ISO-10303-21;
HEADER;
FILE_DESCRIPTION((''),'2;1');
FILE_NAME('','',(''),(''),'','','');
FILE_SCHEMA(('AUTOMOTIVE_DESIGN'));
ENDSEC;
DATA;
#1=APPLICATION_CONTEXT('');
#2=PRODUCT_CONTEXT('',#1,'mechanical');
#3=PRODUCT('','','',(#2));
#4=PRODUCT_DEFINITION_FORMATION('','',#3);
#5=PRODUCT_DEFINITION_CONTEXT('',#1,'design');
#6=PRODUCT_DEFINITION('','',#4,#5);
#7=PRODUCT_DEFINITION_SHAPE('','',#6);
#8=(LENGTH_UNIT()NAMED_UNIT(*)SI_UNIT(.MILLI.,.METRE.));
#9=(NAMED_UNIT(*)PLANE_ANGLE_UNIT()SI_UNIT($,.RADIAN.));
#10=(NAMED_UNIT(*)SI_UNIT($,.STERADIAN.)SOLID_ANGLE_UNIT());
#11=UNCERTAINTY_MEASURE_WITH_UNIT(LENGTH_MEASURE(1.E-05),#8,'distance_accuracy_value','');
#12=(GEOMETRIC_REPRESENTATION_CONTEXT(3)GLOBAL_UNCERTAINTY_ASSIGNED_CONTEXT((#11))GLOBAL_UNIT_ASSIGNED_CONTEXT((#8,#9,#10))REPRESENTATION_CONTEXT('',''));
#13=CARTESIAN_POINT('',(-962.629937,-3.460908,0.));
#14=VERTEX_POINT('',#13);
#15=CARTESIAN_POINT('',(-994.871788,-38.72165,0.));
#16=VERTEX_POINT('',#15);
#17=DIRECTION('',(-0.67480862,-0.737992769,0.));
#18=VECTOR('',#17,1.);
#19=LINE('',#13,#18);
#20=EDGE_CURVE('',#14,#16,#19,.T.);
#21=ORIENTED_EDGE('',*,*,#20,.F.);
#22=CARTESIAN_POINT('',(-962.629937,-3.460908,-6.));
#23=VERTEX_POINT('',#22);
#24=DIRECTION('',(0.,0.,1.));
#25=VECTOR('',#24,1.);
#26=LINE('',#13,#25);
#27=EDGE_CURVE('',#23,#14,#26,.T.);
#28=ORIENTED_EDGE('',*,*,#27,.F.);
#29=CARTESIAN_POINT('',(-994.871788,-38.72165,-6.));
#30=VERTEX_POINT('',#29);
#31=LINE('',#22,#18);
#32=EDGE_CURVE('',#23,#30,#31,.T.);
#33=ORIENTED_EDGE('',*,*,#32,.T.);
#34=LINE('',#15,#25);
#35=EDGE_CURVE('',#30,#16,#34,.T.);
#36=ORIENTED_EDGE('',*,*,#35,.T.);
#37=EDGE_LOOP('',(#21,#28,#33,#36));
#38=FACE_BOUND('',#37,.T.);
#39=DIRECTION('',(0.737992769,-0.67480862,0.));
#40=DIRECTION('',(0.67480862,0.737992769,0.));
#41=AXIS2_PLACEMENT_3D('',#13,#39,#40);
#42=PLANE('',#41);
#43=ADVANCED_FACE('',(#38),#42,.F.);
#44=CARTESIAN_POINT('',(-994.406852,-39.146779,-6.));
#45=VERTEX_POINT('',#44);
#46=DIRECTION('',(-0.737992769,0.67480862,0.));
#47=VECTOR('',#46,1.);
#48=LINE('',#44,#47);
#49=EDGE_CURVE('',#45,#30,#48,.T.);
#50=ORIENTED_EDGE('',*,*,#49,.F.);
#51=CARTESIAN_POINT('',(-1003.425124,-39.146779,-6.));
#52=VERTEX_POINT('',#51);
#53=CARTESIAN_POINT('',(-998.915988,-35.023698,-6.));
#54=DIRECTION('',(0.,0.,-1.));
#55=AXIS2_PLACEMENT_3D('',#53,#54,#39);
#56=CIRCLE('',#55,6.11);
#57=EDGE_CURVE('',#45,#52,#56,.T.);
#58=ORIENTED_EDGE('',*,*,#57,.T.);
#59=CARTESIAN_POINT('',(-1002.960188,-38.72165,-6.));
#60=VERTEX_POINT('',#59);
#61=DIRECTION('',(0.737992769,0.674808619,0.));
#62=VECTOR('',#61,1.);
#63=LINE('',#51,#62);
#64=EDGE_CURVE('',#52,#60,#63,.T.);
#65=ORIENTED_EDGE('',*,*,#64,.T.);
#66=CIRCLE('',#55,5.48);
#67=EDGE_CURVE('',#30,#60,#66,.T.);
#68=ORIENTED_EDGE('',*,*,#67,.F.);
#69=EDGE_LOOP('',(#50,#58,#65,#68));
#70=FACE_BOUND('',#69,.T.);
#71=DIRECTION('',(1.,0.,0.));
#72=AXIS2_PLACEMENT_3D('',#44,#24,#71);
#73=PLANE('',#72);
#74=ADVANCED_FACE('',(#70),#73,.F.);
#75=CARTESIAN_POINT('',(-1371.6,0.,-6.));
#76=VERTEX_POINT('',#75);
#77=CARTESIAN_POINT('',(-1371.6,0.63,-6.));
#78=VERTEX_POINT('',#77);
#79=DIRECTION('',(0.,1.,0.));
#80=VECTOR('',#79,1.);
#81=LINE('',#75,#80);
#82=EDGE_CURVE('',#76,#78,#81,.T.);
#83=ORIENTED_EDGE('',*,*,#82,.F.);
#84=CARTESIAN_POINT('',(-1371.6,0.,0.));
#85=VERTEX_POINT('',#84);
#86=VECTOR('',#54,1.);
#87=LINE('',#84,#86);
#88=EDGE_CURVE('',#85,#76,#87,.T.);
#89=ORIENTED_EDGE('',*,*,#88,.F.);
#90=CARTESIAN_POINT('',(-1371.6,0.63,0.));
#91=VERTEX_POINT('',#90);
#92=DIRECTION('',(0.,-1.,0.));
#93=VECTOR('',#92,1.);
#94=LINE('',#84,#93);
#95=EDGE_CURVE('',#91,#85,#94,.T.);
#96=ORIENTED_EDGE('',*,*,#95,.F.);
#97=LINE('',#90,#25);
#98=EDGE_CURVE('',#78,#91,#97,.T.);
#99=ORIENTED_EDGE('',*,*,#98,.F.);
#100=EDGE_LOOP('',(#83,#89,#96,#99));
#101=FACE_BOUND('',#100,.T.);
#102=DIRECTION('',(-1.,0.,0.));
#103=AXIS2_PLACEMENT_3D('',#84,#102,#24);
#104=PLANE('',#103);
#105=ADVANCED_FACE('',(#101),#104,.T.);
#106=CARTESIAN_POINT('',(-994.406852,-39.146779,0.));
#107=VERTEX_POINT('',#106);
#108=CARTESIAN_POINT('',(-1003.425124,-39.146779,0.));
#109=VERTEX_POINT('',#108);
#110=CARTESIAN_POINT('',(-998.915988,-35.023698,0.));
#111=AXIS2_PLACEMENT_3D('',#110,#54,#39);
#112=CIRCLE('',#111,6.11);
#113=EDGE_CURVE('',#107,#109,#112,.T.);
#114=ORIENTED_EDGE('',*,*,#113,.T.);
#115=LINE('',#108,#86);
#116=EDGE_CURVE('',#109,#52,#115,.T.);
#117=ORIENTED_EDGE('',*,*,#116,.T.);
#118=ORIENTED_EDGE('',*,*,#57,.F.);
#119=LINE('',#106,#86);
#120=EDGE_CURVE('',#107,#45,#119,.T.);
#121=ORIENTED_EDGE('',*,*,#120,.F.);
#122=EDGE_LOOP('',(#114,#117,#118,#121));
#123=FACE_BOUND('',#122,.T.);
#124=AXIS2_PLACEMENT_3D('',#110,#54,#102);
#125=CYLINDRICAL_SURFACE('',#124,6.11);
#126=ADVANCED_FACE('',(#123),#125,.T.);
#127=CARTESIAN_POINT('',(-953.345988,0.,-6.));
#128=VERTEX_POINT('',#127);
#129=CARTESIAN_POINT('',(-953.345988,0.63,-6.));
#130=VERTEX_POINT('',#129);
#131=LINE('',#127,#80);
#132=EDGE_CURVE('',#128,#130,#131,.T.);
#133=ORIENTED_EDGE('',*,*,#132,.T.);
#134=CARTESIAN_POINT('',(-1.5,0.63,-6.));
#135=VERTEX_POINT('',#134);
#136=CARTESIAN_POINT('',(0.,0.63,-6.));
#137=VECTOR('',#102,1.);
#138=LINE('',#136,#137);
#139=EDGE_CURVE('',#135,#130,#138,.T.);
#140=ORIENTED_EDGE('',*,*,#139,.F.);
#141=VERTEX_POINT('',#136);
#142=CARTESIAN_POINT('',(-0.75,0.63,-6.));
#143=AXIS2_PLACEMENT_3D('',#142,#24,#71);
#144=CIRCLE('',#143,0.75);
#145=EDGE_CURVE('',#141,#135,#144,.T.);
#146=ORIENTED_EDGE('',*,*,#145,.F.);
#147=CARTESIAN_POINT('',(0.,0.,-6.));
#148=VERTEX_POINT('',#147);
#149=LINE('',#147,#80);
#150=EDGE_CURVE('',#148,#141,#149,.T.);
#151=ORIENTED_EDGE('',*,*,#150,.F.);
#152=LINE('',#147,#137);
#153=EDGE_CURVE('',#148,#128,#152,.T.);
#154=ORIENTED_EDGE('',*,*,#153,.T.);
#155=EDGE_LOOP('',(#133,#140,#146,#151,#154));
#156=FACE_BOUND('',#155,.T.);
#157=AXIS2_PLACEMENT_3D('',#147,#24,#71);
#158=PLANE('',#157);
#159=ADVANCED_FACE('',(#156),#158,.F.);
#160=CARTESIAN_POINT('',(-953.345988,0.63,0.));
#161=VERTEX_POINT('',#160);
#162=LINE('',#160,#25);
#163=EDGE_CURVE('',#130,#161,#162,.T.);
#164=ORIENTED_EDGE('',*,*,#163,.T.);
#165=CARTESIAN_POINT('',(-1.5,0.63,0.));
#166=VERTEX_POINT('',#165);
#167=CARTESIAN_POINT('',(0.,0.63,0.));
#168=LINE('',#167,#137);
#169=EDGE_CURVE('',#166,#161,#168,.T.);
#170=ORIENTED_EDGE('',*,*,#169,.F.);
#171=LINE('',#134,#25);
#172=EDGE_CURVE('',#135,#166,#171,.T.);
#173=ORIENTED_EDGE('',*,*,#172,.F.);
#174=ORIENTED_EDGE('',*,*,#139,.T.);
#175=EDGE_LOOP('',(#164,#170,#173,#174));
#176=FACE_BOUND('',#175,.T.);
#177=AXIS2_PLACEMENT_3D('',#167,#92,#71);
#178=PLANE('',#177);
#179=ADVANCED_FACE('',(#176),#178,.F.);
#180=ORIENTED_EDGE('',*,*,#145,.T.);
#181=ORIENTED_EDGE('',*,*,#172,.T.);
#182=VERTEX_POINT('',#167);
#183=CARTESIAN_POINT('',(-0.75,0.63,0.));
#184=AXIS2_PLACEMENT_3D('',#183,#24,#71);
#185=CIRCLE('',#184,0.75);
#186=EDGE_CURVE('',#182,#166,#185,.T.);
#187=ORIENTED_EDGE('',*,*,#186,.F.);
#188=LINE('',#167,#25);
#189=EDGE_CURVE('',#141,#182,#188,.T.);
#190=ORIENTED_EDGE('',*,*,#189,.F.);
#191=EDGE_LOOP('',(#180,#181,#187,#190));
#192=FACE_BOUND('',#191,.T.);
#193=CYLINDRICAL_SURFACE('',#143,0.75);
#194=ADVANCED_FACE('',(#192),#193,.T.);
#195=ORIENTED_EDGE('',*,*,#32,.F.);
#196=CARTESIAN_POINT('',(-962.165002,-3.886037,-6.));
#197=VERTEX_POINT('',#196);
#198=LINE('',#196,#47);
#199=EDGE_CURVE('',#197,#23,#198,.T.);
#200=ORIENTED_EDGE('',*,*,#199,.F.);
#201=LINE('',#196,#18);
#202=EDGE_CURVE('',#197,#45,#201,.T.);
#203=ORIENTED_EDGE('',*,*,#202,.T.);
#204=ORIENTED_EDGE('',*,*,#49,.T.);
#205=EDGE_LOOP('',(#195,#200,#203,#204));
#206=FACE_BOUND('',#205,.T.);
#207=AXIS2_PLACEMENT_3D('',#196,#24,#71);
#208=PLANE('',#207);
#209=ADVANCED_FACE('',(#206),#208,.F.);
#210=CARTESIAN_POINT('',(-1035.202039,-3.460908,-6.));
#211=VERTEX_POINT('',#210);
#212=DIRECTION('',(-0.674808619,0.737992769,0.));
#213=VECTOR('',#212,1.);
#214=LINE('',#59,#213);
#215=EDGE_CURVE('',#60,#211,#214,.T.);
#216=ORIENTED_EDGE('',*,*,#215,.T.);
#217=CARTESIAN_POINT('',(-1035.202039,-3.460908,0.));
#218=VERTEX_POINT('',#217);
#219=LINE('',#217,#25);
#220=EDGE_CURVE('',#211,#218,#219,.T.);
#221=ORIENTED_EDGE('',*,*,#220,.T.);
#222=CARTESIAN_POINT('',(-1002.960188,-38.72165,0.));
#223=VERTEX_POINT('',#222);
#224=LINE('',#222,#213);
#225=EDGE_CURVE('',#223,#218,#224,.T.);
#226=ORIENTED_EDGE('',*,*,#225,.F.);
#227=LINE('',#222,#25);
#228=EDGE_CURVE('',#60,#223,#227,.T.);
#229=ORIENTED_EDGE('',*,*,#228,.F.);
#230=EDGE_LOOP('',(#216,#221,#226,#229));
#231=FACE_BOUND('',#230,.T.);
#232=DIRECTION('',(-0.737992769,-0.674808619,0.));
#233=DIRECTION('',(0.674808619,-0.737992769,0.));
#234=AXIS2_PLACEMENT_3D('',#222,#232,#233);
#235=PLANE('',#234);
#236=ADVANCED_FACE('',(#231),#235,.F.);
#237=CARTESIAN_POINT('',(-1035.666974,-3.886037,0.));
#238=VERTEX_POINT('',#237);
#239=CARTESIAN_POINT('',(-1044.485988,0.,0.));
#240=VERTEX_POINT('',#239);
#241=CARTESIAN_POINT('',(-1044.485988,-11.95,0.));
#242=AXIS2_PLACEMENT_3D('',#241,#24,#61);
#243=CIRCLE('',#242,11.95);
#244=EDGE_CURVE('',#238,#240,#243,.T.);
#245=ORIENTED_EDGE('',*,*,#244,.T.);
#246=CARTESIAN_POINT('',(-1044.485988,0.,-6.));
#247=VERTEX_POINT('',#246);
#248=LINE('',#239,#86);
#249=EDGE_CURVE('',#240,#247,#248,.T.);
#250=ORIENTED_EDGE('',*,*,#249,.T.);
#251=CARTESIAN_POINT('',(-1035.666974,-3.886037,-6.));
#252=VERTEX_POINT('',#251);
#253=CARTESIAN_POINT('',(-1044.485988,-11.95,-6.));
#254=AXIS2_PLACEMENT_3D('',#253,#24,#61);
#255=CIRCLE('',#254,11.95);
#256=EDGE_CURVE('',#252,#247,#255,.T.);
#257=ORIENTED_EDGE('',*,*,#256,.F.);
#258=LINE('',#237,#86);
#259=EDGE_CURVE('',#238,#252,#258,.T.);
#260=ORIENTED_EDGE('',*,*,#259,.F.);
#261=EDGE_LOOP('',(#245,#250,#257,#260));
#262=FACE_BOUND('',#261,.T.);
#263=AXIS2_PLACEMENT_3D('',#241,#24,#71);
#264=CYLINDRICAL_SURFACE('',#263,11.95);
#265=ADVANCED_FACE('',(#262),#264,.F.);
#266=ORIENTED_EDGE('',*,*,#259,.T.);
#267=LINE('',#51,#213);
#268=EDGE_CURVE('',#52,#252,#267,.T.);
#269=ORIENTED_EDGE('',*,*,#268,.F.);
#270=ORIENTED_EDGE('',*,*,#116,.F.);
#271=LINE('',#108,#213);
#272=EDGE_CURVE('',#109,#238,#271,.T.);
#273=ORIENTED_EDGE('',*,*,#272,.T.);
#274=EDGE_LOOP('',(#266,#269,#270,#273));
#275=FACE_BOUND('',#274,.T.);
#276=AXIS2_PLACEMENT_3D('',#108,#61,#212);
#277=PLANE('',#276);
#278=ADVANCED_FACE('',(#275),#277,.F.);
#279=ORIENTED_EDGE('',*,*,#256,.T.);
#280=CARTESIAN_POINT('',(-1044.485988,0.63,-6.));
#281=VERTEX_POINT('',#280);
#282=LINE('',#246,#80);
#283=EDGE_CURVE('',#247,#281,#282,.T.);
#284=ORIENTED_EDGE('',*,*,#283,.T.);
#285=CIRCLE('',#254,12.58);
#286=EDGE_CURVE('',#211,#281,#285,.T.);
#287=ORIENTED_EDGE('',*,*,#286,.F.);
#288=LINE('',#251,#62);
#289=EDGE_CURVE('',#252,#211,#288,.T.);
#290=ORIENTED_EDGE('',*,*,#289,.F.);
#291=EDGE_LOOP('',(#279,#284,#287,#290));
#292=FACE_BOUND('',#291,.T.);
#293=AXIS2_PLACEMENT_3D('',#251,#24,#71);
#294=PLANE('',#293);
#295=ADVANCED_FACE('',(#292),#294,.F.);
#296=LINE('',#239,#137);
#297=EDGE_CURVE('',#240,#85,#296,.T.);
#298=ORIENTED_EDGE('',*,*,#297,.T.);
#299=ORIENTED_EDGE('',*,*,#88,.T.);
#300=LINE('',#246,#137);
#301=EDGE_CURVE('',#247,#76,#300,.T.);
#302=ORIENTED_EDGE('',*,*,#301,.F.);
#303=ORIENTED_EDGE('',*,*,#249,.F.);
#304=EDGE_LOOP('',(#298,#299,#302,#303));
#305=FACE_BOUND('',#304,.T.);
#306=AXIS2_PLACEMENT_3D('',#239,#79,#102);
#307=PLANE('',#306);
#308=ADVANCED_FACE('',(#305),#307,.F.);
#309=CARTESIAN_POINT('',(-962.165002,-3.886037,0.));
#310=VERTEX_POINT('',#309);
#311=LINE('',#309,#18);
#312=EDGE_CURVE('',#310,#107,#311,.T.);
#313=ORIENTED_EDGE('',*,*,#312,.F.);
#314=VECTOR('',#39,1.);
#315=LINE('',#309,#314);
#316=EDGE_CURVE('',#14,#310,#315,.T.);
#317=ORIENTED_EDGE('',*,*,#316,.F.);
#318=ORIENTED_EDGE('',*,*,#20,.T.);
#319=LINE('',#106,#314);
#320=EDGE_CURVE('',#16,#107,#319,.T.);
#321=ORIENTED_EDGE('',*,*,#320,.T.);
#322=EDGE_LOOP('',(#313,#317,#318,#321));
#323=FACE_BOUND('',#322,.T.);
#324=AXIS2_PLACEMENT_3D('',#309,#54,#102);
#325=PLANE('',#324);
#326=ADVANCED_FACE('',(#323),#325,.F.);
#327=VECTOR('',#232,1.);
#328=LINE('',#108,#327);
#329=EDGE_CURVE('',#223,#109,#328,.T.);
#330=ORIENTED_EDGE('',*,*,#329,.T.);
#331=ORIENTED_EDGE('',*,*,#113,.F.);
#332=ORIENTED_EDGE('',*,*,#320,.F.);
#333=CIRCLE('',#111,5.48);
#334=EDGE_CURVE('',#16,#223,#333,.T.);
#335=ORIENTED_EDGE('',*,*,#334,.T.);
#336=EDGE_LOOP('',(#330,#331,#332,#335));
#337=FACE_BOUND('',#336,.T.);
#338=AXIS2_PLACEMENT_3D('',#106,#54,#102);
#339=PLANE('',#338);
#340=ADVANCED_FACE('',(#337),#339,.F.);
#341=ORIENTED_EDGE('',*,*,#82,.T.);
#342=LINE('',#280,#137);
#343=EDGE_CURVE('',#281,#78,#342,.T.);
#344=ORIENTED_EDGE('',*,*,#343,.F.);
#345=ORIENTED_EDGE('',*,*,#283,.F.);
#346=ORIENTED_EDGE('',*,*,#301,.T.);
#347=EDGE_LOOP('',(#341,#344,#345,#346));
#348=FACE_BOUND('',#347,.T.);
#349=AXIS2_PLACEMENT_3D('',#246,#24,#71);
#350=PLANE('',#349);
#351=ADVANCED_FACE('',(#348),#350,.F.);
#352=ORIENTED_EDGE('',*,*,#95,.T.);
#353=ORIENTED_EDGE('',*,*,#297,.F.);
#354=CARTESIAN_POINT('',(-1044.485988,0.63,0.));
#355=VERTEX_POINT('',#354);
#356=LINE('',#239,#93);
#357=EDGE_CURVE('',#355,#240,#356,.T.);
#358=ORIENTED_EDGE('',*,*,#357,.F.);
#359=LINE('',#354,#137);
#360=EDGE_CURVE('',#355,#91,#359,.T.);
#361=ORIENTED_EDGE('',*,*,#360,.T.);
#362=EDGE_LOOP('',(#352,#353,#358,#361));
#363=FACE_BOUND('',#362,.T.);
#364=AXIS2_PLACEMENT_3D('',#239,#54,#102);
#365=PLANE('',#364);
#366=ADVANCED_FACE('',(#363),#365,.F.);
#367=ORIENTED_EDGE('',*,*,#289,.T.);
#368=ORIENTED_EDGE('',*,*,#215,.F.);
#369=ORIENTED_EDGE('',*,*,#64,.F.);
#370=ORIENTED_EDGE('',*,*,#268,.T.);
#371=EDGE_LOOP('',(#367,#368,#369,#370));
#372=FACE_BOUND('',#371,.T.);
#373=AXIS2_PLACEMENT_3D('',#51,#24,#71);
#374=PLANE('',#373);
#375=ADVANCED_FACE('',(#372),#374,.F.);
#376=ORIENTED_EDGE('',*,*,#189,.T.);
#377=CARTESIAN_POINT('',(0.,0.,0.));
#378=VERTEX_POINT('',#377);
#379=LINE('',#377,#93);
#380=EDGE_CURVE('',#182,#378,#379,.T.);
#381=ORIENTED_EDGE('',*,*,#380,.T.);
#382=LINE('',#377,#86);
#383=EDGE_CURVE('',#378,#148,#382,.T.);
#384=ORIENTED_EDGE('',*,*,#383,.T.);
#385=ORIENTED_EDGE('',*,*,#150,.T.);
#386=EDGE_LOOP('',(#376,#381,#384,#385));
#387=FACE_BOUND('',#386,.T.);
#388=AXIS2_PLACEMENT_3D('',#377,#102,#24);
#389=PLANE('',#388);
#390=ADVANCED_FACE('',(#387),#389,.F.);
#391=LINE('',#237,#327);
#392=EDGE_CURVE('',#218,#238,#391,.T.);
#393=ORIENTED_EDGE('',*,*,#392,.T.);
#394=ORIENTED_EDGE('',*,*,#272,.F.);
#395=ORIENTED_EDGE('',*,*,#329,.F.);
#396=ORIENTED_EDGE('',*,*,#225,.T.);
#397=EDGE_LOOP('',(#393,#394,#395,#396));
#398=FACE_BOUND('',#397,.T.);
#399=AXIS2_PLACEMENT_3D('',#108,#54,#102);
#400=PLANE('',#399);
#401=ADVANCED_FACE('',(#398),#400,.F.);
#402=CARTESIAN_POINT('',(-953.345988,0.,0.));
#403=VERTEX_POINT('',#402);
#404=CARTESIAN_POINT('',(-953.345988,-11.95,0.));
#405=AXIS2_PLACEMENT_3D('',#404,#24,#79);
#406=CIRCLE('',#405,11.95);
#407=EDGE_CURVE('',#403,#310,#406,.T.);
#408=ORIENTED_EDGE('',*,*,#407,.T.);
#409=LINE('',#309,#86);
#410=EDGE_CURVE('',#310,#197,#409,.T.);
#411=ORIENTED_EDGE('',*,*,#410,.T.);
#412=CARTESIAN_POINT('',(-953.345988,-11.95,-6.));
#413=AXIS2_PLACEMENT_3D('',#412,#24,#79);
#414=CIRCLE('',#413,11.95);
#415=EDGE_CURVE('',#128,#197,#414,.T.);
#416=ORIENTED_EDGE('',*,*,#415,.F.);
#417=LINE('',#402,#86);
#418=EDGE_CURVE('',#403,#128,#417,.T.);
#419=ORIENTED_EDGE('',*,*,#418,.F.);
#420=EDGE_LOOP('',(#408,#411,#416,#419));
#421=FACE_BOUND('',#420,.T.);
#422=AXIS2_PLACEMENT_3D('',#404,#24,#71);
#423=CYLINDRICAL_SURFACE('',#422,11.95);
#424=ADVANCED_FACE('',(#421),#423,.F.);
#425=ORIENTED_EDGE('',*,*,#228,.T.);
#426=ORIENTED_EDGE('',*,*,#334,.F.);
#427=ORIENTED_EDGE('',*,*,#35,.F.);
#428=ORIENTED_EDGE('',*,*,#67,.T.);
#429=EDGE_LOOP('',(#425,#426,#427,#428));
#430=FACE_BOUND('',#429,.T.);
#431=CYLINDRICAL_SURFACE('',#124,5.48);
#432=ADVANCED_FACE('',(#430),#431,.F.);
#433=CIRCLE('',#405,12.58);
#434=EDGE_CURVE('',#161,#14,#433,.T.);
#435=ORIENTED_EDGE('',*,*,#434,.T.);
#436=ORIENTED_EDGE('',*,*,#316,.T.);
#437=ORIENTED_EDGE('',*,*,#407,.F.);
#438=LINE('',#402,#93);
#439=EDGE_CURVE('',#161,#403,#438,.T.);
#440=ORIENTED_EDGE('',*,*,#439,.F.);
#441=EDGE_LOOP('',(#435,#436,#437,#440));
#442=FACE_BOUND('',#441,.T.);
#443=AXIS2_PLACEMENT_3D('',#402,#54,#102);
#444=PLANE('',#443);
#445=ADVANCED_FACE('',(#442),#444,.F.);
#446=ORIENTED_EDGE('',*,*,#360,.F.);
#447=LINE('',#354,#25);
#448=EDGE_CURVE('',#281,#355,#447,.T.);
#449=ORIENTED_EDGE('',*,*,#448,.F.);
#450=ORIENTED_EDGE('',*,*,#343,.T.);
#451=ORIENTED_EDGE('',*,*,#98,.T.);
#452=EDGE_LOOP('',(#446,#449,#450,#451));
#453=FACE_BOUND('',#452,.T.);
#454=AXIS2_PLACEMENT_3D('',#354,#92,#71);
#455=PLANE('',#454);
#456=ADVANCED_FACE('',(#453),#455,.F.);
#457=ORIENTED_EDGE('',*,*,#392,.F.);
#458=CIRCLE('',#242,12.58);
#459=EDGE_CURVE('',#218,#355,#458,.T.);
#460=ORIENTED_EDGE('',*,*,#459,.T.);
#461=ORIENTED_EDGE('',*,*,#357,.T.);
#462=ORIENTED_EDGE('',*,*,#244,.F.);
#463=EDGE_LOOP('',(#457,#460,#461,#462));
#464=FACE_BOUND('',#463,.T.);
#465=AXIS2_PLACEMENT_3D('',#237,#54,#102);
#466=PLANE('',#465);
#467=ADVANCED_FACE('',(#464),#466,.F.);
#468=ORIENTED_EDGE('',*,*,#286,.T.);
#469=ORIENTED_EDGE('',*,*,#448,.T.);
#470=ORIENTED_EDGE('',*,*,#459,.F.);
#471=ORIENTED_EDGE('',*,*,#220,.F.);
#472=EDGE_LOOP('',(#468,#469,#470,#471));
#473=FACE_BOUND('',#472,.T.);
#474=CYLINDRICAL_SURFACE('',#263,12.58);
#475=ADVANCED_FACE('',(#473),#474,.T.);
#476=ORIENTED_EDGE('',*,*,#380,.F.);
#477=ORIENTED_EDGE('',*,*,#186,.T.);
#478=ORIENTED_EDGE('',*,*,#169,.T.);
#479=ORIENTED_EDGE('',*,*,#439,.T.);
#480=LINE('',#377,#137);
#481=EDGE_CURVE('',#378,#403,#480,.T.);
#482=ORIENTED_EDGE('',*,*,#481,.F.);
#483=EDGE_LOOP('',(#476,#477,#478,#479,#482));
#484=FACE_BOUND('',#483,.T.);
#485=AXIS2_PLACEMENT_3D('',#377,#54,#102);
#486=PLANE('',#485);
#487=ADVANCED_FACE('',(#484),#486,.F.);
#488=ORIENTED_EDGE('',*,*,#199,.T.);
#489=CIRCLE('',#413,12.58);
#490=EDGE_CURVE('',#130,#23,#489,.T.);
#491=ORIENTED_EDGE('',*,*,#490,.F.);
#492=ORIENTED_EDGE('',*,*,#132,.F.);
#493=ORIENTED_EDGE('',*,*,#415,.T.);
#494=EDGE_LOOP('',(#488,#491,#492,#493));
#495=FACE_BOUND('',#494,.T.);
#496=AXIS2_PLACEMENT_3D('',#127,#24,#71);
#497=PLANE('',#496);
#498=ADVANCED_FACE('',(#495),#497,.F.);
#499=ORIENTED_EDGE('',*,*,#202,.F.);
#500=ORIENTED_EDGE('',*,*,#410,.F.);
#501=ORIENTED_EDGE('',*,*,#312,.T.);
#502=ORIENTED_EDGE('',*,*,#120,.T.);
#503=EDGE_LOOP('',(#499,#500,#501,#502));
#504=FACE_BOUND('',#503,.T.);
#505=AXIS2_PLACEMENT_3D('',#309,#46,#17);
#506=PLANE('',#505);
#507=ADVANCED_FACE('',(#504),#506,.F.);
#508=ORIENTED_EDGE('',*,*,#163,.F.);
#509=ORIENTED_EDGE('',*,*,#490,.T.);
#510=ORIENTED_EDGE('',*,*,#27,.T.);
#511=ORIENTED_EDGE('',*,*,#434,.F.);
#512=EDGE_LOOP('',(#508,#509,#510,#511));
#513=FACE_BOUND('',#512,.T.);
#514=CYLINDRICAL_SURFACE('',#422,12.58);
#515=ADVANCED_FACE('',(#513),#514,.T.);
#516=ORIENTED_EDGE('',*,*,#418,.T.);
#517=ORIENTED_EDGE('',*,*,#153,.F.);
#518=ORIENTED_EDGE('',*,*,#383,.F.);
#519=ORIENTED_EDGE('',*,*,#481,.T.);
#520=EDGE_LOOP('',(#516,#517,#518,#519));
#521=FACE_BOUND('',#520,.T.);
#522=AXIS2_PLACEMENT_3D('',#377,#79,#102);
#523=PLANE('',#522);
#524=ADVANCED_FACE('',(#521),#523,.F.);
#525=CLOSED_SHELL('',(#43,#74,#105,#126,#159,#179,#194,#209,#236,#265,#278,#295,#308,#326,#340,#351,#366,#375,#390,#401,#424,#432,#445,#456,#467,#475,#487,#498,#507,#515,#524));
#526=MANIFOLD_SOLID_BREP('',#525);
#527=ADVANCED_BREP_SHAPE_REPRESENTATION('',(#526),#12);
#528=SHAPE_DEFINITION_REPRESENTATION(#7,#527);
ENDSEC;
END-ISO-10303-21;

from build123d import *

# Parameters (mm, degrees)
SKETCH1_W           = 6
SKETCH1_H           = 0.63
BOSS_EXTRUDE1_DEPTH = 6


with BuildPart() as part:
    # Sweep1: sweep along a path in Sketch2
    with BuildLine(Plane.XY) as sweep1_path:
        Line((0, 0), (-953.345987996, 0))
        ThreePointArc((-953.345987996, 0), (-958.164605092, -1.014579152), (-962.165001522, -3.886036967))
        Line((-962.165001522, -3.886036967), (-994.40685218, -39.146778952))
        ThreePointArc((-994.40685218, -39.146778952), (-998.915987998, -41.133698285), (-1003.425123815, -39.14677895))
        Line((-1003.425123815, -39.14677895), (-1035.666974406, -3.886036998))
        ThreePointArc((-1035.666974406, -3.886036998), (-1039.667370864, -1.01457916), (-1044.485987996, 0))
        Line((-1044.485987996, 0), (-1371.6, 0))
    # Sketch1 → Sweep1 (sweep)
    with BuildSketch(Plane(origin=(0, 0, 0), x_dir=(0, 0, -1), z_dir=(1, 0, 0))):
        with Locations((3, 0.315)):
            Rectangle(SKETCH1_W, SKETCH1_H)
    sweep(path=sweep1_path.line)

    # Sketch3 → Boss-Extrude1 (add, through all)
    with BuildSketch(Plane.XY):
        with BuildLine():
            Line((-1.5, 0.63), (-1.5, 0))
            Line((-1.5, 0), (0, 0))
            Line((0, 0), (0, 0.63))
            ThreePointArc((0, 0.63), (-0.75, 1.38), (-1.5, 0.63))
        make_face()
    extrude(amount=-BOSS_EXTRUDE1_DEPTH)


solid = part.part
